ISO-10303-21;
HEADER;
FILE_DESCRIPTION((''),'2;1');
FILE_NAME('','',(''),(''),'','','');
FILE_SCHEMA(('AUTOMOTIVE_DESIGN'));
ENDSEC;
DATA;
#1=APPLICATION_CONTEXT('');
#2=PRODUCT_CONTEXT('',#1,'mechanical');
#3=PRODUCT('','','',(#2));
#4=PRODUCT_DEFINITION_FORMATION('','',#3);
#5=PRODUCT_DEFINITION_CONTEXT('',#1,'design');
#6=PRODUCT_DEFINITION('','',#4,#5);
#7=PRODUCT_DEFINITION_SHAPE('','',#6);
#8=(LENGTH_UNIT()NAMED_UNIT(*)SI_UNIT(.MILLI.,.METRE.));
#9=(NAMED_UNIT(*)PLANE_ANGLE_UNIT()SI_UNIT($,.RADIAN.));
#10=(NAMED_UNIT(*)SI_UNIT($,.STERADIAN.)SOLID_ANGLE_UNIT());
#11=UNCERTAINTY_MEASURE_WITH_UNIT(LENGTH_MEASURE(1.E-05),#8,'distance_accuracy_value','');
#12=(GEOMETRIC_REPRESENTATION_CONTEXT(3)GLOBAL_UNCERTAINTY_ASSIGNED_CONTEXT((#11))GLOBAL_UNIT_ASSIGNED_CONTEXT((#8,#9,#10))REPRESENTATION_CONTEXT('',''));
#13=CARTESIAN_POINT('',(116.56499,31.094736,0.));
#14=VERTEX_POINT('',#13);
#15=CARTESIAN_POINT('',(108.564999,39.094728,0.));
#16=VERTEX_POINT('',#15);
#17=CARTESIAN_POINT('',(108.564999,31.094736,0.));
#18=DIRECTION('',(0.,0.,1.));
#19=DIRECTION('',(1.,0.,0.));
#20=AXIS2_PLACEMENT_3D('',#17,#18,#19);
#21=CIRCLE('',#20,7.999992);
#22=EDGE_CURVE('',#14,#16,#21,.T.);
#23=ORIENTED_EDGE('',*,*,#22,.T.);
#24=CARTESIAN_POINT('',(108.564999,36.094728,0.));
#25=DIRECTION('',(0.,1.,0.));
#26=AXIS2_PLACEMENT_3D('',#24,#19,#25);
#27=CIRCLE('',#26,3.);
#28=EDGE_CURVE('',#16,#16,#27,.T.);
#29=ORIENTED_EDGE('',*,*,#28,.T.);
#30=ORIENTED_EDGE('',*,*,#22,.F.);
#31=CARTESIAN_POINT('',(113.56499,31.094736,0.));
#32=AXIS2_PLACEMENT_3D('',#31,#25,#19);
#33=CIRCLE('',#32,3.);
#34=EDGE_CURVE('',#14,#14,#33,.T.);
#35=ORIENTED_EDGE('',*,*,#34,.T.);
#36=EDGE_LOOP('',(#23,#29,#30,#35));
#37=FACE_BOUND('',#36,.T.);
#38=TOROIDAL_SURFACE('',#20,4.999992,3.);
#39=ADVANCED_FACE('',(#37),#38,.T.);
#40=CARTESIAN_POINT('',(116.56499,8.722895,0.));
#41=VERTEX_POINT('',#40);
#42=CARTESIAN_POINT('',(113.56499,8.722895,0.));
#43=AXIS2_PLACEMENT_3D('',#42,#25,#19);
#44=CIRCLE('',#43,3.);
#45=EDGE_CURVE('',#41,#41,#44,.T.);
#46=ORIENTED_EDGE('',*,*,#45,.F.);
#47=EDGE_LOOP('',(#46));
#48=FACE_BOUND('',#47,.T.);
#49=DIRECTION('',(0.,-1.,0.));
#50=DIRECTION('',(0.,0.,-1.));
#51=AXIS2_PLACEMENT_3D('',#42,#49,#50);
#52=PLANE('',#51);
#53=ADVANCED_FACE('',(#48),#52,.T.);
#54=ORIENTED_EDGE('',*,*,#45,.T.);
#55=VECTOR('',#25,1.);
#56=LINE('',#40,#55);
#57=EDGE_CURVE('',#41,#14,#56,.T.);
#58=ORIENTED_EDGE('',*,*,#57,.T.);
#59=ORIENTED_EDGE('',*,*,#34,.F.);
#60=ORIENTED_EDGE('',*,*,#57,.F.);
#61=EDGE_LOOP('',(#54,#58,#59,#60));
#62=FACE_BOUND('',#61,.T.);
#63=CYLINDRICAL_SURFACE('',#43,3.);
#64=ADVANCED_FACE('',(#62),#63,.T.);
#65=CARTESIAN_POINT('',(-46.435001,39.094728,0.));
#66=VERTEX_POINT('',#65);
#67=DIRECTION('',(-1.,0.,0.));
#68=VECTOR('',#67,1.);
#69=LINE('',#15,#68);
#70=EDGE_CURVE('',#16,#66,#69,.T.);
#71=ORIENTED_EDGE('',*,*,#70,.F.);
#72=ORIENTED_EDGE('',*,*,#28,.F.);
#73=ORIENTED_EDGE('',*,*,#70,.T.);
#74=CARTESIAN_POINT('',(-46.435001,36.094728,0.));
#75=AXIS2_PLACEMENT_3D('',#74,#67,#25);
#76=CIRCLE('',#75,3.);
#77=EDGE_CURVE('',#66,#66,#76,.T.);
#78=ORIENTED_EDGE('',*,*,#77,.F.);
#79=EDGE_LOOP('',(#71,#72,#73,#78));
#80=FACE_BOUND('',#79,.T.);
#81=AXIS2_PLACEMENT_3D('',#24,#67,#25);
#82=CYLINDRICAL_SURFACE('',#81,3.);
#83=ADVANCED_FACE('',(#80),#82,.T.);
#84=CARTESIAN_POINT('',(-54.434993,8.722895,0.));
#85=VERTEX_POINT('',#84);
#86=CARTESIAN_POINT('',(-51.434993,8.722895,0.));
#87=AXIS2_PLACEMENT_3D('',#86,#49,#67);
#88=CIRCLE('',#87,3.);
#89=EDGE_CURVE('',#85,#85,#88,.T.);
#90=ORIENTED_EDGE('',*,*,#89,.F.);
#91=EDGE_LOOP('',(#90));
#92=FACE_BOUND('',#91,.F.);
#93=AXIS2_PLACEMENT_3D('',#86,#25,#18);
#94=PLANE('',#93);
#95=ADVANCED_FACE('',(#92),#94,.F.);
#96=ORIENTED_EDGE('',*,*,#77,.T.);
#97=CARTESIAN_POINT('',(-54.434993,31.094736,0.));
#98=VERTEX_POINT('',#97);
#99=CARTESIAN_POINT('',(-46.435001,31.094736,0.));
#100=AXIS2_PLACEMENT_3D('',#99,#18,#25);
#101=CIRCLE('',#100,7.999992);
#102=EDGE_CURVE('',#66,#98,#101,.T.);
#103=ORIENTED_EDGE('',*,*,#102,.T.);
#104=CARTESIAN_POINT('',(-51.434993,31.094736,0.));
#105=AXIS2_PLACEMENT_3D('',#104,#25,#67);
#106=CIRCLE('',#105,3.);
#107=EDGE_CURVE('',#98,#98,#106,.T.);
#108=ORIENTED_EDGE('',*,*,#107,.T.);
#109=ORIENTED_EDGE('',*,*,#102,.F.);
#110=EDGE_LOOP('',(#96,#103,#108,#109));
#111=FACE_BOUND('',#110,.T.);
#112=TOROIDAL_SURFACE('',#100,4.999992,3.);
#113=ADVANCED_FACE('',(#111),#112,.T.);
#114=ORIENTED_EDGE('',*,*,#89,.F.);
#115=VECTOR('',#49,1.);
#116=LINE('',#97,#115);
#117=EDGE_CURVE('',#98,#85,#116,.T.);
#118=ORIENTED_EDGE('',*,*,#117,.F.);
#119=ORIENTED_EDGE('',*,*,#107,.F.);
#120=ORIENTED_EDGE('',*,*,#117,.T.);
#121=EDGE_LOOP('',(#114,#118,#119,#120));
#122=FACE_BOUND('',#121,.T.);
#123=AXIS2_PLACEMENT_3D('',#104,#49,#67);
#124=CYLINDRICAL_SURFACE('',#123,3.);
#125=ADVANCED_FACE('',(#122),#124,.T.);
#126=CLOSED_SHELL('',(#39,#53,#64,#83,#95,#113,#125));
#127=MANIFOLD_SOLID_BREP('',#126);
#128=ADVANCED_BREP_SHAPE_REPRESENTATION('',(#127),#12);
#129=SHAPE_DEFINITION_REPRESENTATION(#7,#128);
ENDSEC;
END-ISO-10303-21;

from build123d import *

# Parameters (mm, degrees)
F3_R = 3


with BuildPart() as f4:
    # F4: sweep along a path in F0
    with BuildLine(Plane.XY) as f4_path:
        Line((113.5649988055, 8.722894825), (113.5649988055, 31.0947363079))
        ThreePointArc((113.5649988055, 31.0947363079), (112.1005327115, 34.6302702138), (108.5649988055, 36.0947363079))
        Line((108.5649988055, 36.0947363079), (-46.4350011945, 36.0947363079))
        ThreePointArc((-46.4350011945, 36.0947363079), (-49.9705351004, 34.6302702138), (-51.4350011945, 31.0947363079))
        Line((-51.4350011945, 31.0947363079), (-51.4350011945, 8.722894825))
    # F3 (on line) → F4 (sweep)
    with BuildSketch(Plane.XZ.offset(-8.722894825)):
        with Locations((113.5649904609, 0)):
            Circle(F3_R)
    sweep(path=f4_path.line)


solid = f4.part
